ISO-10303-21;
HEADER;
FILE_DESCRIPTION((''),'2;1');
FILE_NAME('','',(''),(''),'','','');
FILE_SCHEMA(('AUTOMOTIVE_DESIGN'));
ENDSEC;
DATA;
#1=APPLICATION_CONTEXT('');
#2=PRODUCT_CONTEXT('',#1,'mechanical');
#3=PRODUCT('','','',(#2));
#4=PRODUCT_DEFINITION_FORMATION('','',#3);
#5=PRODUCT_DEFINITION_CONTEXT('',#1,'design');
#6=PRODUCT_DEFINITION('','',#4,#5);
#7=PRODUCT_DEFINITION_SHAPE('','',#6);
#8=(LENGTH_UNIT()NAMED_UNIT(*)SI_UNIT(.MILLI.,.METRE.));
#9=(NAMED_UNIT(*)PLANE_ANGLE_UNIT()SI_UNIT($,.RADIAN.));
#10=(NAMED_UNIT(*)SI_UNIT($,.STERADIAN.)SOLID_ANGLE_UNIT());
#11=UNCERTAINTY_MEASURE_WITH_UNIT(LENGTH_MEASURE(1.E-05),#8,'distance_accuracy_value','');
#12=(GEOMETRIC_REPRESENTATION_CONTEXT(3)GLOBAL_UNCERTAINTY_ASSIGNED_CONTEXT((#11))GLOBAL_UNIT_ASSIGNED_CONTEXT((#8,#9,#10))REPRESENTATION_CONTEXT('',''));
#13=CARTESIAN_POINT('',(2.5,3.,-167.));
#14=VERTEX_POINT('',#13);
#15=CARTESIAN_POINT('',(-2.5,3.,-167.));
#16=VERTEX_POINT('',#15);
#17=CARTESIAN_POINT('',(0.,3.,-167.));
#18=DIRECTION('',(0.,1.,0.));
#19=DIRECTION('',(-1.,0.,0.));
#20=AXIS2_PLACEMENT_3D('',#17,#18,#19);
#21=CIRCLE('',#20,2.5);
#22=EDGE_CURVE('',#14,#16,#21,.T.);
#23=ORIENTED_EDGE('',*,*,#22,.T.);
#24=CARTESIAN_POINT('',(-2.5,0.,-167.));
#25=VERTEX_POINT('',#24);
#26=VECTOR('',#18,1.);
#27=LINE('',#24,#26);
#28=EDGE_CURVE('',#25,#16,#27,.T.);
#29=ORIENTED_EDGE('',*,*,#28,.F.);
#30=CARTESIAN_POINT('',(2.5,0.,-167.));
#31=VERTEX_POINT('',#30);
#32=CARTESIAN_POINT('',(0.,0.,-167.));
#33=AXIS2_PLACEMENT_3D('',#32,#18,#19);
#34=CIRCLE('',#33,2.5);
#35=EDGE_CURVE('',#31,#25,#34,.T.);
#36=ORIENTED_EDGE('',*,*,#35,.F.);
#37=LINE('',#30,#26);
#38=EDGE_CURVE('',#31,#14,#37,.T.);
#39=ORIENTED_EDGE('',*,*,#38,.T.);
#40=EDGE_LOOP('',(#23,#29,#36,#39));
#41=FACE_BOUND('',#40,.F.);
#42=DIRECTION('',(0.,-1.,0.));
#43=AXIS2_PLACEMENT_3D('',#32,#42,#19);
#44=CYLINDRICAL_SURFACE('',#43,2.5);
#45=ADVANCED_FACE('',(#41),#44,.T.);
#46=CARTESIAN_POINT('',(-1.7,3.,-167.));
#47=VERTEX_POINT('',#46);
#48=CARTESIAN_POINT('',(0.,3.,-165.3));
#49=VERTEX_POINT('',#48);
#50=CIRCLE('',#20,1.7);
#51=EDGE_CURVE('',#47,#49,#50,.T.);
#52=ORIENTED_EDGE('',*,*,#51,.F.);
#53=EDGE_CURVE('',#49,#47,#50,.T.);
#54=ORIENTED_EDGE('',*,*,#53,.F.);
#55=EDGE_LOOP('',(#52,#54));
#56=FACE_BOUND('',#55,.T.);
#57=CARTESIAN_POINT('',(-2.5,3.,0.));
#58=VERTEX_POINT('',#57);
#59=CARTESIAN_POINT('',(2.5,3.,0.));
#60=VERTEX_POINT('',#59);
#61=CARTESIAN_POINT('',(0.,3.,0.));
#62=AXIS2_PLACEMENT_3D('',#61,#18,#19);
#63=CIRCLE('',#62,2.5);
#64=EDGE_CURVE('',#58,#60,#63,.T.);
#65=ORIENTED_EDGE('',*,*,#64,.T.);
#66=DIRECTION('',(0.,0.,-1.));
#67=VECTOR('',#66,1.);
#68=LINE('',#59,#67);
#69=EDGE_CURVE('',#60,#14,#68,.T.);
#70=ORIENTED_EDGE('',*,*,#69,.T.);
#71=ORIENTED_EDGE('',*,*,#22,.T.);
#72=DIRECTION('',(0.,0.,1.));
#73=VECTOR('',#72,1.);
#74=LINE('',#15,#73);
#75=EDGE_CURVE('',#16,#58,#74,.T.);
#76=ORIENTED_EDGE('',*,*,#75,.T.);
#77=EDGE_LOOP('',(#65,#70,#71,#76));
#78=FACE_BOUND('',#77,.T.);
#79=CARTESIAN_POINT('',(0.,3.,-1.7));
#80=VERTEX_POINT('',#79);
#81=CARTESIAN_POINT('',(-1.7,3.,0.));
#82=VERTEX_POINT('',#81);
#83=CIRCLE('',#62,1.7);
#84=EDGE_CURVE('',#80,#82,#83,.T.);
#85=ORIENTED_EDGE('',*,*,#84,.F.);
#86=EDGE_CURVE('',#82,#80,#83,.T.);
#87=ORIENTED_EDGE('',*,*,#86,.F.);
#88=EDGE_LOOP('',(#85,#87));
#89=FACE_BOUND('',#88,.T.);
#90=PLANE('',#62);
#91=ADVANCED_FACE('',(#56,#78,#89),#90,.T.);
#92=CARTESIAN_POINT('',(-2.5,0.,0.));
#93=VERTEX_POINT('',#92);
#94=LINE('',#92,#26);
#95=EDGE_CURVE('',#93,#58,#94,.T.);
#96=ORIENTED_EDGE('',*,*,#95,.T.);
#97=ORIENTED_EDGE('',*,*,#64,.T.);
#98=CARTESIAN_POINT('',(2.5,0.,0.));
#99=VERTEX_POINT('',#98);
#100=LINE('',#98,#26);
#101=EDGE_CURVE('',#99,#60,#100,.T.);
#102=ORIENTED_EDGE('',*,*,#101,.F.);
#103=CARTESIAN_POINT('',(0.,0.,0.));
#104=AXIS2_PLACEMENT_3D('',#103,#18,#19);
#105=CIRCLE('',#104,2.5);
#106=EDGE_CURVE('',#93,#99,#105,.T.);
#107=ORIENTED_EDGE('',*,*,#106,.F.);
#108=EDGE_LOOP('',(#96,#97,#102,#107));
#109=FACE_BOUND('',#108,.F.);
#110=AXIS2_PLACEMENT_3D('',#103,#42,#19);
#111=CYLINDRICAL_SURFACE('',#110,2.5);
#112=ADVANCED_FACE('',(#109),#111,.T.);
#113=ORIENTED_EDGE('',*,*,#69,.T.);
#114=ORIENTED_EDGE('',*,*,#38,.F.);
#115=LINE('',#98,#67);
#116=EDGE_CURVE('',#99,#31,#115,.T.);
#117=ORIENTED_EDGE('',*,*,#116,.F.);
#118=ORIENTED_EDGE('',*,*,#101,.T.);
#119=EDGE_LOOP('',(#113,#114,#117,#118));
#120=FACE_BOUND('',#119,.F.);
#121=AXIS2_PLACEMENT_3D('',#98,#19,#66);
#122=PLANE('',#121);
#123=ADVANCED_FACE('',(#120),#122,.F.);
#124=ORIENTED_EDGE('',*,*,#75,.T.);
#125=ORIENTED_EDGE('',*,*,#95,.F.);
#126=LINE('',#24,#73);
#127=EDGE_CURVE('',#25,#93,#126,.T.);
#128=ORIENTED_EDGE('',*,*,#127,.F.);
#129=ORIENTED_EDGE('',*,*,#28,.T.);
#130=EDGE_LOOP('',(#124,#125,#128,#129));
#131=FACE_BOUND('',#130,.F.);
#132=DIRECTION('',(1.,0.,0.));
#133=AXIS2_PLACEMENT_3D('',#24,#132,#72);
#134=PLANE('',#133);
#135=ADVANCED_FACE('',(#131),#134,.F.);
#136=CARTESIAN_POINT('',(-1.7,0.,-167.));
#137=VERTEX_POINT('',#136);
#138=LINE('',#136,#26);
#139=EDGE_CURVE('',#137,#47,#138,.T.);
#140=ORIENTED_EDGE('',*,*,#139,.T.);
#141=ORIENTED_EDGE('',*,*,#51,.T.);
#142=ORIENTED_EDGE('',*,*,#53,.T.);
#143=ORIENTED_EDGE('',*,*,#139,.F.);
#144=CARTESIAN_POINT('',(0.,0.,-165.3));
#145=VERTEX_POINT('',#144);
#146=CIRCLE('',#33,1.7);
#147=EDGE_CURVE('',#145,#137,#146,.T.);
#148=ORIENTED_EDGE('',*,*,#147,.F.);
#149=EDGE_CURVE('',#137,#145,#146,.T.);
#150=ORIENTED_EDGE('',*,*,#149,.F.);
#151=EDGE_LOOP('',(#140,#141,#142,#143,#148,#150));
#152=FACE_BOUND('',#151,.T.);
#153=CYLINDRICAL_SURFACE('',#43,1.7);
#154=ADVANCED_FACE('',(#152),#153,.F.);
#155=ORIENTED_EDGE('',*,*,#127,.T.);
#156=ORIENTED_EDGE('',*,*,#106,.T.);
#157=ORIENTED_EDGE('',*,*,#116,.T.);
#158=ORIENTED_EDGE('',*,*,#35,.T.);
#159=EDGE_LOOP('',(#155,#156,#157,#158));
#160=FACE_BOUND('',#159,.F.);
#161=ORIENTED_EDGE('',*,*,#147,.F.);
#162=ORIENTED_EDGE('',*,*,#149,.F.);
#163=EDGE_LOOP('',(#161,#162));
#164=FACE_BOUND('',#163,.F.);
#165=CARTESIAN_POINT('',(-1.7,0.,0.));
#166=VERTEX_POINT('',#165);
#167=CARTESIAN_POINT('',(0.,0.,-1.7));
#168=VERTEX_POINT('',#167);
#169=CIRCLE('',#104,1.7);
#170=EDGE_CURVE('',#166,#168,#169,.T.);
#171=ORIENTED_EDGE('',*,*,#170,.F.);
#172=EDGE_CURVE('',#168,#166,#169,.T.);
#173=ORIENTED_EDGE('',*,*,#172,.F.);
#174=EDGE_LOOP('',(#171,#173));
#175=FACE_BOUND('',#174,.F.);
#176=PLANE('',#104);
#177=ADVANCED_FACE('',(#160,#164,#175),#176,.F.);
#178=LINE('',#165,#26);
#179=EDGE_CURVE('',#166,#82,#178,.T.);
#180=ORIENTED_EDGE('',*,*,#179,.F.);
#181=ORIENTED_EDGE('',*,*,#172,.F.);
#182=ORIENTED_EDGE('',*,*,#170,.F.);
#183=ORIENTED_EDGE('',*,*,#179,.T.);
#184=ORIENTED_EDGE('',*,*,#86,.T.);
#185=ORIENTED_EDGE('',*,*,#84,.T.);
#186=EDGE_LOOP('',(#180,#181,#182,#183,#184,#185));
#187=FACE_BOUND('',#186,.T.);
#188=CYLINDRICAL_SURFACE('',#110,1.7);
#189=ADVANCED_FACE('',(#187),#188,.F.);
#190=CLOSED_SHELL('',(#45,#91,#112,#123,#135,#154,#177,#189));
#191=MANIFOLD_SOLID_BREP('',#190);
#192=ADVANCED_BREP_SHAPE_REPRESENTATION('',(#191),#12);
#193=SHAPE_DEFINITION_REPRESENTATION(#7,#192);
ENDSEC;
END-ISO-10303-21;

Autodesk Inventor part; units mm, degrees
ref_plane "YZ Plane" through (0, 0, 0) normal (1, 0, 0) x (0, 1, 0)
ref_plane "XZ Plane" through (0, 0, 0) normal (0, 1, 0) x (-1, 0, 0)
ref_plane "XY Plane" through (0, 0, 0) normal (0, 0, 1) x (1, 0, 0)
sketch "Sketch1" plane through (0, 0, 0) normal (0, 1, 0) x (-1, 0, 0)
  line L0 (0, 0) -> (0, -167)
  circle A0 centre (0, 0) radius 1.7
  circle A1 centre (0, -167) radius 1.7
  circle A2 centre (0, 0) radius 2.5
  circle A3 centre (0, -167) radius 2.5
  line L1 (2.5, -167) -> (2.5, 0)
  line L2 (-2.5, 0) -> (-2.5, -167)
  dimension "d0" = 167
  dimension "d1" = 3.4
  dimension "d2" = 3.4
  dimension "d3" = 5
  dimension "d4" = 5
extrude "Extrusion1" add sketch "Sketch1" along normal blind 3
properties part number "HENK"
